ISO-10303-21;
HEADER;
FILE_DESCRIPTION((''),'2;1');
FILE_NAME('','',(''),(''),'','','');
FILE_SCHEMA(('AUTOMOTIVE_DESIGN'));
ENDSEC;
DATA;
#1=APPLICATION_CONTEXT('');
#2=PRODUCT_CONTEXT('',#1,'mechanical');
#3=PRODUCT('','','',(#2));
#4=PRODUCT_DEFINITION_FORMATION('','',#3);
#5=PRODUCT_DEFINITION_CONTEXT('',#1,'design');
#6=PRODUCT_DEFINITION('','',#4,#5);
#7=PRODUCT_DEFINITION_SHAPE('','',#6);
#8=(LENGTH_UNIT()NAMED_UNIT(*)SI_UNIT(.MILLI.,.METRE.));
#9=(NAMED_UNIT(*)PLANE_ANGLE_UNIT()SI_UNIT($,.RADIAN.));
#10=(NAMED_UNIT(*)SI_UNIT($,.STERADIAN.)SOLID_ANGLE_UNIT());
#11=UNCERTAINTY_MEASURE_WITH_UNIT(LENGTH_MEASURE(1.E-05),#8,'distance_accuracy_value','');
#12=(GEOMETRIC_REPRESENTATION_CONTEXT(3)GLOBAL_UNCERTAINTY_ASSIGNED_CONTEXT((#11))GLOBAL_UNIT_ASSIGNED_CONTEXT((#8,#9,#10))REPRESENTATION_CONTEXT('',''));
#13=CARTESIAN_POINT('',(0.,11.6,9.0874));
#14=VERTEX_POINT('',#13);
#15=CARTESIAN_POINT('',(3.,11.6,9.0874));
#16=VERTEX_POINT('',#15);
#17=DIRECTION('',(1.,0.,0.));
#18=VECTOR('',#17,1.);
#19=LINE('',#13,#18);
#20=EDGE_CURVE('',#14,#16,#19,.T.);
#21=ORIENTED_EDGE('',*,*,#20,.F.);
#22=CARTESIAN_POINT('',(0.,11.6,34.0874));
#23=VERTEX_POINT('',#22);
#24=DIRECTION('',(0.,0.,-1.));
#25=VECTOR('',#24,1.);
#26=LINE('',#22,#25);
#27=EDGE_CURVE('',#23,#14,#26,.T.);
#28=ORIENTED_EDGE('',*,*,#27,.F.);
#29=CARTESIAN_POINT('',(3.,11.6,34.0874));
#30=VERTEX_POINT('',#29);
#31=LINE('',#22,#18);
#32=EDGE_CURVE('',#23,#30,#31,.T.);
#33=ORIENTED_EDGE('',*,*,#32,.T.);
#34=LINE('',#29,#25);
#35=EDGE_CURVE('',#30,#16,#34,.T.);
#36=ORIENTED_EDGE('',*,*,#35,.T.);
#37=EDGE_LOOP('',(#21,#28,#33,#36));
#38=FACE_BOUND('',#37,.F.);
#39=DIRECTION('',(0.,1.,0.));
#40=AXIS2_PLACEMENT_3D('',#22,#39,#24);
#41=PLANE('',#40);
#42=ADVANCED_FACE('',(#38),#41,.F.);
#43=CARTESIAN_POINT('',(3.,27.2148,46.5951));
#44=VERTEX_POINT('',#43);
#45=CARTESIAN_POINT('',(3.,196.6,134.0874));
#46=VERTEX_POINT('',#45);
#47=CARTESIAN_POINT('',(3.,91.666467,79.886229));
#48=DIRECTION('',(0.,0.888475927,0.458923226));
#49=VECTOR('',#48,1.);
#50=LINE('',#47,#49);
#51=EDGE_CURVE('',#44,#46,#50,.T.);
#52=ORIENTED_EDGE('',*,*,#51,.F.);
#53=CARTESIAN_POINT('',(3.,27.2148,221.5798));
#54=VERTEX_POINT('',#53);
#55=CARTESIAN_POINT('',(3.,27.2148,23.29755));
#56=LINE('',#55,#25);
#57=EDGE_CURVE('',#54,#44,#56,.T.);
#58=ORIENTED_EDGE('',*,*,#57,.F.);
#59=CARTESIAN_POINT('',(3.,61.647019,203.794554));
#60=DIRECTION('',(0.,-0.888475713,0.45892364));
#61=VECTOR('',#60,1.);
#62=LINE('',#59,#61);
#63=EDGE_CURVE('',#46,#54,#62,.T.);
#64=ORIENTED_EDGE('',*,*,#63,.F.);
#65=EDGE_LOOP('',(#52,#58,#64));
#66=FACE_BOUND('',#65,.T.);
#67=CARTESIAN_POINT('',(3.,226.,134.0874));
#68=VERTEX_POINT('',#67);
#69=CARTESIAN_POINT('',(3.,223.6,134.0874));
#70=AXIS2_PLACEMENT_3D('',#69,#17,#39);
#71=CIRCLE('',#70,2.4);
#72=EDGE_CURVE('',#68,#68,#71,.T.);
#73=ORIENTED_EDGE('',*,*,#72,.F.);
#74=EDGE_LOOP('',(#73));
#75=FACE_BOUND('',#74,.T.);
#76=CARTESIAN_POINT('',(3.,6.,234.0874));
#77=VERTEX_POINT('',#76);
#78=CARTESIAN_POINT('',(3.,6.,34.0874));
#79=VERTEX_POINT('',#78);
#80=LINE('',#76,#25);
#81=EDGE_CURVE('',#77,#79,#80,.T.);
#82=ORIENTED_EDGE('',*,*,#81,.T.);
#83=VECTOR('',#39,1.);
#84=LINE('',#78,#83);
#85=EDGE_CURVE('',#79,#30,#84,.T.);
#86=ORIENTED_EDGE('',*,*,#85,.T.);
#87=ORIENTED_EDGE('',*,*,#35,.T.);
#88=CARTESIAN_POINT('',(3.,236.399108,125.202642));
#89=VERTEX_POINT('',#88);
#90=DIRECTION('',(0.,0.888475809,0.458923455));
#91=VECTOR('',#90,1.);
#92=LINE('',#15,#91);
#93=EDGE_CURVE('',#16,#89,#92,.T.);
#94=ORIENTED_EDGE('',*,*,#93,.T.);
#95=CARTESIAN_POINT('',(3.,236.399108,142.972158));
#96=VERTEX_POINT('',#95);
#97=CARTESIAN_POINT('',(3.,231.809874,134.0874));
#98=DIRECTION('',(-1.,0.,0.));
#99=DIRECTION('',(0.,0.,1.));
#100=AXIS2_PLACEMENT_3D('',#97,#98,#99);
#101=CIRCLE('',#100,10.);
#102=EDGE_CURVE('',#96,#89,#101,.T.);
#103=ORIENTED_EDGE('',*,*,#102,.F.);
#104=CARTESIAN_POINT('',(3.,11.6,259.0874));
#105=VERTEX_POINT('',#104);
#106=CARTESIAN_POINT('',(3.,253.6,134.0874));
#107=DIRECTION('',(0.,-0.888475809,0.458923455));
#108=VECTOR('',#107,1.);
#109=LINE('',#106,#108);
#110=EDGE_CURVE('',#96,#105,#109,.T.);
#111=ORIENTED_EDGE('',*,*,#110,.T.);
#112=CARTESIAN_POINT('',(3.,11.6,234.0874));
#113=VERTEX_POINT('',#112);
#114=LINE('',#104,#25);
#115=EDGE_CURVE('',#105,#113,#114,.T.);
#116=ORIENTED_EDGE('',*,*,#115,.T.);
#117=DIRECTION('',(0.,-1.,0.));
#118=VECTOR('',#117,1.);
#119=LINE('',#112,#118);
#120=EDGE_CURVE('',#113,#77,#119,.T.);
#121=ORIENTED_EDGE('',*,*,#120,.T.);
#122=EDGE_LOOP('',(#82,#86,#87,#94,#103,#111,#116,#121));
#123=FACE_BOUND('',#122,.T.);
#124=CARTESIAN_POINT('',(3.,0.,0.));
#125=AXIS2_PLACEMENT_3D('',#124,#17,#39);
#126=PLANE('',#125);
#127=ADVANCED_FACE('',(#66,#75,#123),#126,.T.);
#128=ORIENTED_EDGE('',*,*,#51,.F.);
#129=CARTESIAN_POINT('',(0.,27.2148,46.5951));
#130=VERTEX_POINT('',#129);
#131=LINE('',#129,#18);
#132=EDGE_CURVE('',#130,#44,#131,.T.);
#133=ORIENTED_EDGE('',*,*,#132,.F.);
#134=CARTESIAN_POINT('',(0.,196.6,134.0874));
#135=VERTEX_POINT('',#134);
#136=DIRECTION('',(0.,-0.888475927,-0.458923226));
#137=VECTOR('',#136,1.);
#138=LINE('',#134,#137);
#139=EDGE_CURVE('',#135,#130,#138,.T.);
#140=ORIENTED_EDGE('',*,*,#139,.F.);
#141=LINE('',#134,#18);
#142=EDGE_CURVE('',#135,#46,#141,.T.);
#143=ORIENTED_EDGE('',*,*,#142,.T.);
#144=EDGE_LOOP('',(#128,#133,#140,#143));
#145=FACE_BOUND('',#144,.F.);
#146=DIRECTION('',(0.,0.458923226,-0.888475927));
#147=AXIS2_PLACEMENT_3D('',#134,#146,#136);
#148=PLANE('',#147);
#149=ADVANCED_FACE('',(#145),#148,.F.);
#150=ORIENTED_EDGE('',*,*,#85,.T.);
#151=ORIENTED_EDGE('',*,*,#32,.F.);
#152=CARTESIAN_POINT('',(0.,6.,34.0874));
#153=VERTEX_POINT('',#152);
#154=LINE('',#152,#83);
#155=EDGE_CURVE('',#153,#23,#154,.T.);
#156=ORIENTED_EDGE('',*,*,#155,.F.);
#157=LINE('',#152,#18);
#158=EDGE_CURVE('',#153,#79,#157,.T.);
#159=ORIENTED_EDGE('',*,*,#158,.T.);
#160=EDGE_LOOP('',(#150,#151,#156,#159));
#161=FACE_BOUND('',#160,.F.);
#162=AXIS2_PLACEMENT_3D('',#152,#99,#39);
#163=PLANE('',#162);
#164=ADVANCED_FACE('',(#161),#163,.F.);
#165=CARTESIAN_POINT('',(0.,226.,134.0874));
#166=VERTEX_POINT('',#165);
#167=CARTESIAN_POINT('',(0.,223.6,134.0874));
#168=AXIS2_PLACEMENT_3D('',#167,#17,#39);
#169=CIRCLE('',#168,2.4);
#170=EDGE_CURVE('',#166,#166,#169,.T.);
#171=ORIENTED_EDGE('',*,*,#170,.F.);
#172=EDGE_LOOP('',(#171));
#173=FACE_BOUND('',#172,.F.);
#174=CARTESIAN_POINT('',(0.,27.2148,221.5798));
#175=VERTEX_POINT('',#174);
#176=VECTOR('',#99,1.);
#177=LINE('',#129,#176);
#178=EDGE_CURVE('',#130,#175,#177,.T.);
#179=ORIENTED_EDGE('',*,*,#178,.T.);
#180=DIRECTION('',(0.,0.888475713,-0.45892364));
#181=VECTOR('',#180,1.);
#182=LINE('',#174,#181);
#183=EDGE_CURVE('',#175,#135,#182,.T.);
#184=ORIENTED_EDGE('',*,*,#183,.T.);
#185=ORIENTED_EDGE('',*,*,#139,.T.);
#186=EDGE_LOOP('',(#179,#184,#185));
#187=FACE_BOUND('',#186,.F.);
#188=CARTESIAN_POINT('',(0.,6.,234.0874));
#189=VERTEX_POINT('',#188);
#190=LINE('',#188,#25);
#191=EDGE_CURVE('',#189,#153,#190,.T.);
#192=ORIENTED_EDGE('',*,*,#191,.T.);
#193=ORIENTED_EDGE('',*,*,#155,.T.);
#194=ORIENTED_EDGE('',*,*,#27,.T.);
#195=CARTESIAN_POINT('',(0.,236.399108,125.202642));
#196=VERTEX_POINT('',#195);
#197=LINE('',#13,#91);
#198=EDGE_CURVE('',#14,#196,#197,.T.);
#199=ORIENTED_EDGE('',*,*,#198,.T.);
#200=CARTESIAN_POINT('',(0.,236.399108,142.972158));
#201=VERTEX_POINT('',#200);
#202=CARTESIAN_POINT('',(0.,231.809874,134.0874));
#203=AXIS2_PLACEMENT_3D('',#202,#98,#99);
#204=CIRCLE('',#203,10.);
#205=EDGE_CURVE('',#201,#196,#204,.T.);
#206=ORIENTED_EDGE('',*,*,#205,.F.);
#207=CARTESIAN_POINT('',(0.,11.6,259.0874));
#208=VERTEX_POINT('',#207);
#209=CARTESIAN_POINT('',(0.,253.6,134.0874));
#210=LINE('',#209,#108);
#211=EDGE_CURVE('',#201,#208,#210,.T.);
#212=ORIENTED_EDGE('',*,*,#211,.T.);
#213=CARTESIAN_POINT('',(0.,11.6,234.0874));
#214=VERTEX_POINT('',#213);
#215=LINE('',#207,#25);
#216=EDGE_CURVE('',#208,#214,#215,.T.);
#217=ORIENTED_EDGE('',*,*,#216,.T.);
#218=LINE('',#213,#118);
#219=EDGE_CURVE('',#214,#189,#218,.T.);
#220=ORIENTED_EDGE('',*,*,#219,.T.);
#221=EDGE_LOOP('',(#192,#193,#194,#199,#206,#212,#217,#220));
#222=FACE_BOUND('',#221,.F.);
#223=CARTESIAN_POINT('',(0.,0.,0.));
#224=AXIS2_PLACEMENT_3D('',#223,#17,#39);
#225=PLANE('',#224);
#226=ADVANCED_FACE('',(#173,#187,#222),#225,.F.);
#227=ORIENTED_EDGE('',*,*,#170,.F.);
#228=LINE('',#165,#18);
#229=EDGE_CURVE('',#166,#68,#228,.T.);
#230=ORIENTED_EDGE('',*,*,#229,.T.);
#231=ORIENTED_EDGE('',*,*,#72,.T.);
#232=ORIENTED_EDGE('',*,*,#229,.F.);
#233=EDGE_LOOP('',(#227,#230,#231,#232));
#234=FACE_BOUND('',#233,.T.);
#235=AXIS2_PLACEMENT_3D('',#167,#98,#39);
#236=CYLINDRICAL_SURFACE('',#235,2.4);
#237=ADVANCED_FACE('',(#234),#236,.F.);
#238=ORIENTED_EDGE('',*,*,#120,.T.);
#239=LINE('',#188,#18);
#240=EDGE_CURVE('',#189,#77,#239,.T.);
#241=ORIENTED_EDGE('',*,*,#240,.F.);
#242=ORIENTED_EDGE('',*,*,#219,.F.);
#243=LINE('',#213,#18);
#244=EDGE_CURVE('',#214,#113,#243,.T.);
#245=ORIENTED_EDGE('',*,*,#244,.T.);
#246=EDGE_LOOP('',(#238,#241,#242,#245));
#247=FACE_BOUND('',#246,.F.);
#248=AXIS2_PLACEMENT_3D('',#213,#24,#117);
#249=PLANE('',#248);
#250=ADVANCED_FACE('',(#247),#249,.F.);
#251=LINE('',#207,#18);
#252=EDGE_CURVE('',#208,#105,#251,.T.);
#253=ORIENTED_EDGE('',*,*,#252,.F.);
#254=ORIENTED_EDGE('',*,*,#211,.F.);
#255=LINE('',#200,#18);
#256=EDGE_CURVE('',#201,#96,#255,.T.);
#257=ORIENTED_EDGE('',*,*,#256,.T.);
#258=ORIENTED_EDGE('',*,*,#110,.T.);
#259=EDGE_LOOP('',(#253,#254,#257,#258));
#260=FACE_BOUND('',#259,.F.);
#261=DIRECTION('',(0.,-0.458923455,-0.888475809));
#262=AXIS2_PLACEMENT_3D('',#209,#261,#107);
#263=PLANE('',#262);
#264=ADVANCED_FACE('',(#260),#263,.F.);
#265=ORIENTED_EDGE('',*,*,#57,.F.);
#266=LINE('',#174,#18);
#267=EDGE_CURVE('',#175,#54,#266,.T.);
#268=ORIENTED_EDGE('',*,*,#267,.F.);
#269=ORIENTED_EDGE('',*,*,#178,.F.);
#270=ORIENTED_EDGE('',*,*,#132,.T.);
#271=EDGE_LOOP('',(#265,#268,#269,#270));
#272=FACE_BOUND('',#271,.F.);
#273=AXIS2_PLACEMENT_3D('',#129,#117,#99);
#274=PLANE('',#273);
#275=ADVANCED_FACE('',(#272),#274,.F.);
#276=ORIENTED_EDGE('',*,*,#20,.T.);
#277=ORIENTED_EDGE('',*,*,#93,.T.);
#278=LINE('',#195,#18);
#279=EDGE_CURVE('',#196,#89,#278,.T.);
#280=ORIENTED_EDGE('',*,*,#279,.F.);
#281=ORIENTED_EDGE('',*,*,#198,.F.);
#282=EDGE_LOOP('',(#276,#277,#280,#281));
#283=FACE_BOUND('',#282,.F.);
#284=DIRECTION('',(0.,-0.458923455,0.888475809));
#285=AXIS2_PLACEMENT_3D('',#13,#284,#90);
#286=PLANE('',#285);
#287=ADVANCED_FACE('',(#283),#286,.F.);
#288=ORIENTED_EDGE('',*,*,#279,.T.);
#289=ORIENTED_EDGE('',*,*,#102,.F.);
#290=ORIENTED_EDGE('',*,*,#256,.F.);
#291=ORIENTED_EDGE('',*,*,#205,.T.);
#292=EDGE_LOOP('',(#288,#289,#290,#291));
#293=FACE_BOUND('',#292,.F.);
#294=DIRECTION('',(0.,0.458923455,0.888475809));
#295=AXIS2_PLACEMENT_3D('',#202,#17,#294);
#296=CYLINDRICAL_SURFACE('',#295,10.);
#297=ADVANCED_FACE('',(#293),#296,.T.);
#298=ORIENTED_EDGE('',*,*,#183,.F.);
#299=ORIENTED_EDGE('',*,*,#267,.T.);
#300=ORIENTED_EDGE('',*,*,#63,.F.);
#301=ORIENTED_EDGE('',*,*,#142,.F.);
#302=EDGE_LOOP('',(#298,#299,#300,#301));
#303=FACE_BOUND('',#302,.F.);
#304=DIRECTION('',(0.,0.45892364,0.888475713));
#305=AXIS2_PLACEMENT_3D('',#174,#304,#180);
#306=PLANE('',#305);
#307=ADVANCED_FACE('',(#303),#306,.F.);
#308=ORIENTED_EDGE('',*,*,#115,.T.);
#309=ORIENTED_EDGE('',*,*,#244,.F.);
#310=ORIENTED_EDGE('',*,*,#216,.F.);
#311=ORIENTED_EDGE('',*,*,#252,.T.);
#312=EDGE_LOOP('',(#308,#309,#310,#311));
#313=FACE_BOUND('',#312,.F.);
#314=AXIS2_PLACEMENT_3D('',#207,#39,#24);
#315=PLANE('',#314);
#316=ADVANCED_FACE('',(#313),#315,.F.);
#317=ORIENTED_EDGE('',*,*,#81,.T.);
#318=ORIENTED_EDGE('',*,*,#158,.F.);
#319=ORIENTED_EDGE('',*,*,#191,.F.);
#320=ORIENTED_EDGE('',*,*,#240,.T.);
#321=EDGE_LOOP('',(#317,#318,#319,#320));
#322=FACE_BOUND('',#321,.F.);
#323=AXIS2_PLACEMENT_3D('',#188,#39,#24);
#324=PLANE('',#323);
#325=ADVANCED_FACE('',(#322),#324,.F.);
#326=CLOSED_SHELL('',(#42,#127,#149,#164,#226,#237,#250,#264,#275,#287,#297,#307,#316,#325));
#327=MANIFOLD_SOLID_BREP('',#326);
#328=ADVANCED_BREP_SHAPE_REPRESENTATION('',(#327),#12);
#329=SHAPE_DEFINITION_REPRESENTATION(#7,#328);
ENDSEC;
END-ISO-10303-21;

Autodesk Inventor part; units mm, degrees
ref_plane "YZ Plane" through (0, 0, 0) normal (1, 0, 0) x (0, 1, 0)
ref_plane "XZ Plane" through (0, 0, 0) normal (0, 1, 0) x (-1, 0, 0)
ref_plane "XY Plane" through (0, 0, 0) normal (0, 0, 1) x (1, 0, 0)
sketch "Sketch1" plane through (0, 0, 0) normal (1, 0, 0) x (0, 1, 0)
  line L0 (11.6, 259.0874) -> (11.6, 234.0874)
  line L1 (11.6, 234.0874) -> (6, 234.0874)
  line L2 (6, 234.0874) -> (6, 34.0874)
  line L3 (6, 34.0874) -> (11.6, 34.0874)
  line L4 (11.6, 34.0874) -> (11.6, 9.0874)
  line L5 (11.6, 9.0874) -> (253.6, 134.0874)
  line L6 (253.6, 134.0874) -> (11.6, 259.0874)
  circle A0 centre (223.6, 134.0874) radius 2.4
  line L7 (253.6, 134.0874) -> (6, 134.0874) construction
  point P0 (0, 0)
  dimension "d0" = 4.8
  dimension "d1" = 5.6
  dimension "d2" = 200
  dimension "d4" = 30
  dimension "d5" = 250
  dimension "d8" = 242
  dimension "d9" = 212
extrude "Extrusion1" add sketch "Sketch1" along normal blind 3
fillet "Fillet1" radius 10 1 edges at (1.5, 253.6, 134.0874)
sketch "Sketch2" plane through (0, 0, 0) normal (-1, 0, 0) x (0, 0, 1)
  line L0 (46.5951, 27.2148) -> (221.5798, 27.2148)
  line L1 (221.5798, 27.2148) -> (134.0874, 196.6)
  line L2 (134.0874, 196.6) -> (46.5951, 27.2148)
  line L3 (234.0874, 6) -> (34.0874, 6) projected
  circle A0 centre (134.0874, 223.6) radius 2.4 projected
  line L4 (134.0874, 223.6) -> (134.0874, 6) construction
  line L5 (234.0874, 6) -> (34.0874, 6) projected
  line L6 (9.0874, 11.6) -> (125.2027, 236.3991) projected
  point P0 (0, 0)
extrude "Extrusion2" cut sketch "Sketch2" against normal blind 10 contours L2 L1 L0
equation "\"d2\" = SlotLength"
equation "\"d4\" = HingeDistance"
equation "\"d5\" = StandWidth"
equation "\"d13\" = Width"
equation "\"ScrewDiameter\" = 3"
equation "\"Width\" = 10"
equation "\"SlotLength\" = 200"
equation "\"HingeDistance\" = 30"
equation "\"StandWidth\" = 250"
properties part number "Stand" material "ABS Plastic"
